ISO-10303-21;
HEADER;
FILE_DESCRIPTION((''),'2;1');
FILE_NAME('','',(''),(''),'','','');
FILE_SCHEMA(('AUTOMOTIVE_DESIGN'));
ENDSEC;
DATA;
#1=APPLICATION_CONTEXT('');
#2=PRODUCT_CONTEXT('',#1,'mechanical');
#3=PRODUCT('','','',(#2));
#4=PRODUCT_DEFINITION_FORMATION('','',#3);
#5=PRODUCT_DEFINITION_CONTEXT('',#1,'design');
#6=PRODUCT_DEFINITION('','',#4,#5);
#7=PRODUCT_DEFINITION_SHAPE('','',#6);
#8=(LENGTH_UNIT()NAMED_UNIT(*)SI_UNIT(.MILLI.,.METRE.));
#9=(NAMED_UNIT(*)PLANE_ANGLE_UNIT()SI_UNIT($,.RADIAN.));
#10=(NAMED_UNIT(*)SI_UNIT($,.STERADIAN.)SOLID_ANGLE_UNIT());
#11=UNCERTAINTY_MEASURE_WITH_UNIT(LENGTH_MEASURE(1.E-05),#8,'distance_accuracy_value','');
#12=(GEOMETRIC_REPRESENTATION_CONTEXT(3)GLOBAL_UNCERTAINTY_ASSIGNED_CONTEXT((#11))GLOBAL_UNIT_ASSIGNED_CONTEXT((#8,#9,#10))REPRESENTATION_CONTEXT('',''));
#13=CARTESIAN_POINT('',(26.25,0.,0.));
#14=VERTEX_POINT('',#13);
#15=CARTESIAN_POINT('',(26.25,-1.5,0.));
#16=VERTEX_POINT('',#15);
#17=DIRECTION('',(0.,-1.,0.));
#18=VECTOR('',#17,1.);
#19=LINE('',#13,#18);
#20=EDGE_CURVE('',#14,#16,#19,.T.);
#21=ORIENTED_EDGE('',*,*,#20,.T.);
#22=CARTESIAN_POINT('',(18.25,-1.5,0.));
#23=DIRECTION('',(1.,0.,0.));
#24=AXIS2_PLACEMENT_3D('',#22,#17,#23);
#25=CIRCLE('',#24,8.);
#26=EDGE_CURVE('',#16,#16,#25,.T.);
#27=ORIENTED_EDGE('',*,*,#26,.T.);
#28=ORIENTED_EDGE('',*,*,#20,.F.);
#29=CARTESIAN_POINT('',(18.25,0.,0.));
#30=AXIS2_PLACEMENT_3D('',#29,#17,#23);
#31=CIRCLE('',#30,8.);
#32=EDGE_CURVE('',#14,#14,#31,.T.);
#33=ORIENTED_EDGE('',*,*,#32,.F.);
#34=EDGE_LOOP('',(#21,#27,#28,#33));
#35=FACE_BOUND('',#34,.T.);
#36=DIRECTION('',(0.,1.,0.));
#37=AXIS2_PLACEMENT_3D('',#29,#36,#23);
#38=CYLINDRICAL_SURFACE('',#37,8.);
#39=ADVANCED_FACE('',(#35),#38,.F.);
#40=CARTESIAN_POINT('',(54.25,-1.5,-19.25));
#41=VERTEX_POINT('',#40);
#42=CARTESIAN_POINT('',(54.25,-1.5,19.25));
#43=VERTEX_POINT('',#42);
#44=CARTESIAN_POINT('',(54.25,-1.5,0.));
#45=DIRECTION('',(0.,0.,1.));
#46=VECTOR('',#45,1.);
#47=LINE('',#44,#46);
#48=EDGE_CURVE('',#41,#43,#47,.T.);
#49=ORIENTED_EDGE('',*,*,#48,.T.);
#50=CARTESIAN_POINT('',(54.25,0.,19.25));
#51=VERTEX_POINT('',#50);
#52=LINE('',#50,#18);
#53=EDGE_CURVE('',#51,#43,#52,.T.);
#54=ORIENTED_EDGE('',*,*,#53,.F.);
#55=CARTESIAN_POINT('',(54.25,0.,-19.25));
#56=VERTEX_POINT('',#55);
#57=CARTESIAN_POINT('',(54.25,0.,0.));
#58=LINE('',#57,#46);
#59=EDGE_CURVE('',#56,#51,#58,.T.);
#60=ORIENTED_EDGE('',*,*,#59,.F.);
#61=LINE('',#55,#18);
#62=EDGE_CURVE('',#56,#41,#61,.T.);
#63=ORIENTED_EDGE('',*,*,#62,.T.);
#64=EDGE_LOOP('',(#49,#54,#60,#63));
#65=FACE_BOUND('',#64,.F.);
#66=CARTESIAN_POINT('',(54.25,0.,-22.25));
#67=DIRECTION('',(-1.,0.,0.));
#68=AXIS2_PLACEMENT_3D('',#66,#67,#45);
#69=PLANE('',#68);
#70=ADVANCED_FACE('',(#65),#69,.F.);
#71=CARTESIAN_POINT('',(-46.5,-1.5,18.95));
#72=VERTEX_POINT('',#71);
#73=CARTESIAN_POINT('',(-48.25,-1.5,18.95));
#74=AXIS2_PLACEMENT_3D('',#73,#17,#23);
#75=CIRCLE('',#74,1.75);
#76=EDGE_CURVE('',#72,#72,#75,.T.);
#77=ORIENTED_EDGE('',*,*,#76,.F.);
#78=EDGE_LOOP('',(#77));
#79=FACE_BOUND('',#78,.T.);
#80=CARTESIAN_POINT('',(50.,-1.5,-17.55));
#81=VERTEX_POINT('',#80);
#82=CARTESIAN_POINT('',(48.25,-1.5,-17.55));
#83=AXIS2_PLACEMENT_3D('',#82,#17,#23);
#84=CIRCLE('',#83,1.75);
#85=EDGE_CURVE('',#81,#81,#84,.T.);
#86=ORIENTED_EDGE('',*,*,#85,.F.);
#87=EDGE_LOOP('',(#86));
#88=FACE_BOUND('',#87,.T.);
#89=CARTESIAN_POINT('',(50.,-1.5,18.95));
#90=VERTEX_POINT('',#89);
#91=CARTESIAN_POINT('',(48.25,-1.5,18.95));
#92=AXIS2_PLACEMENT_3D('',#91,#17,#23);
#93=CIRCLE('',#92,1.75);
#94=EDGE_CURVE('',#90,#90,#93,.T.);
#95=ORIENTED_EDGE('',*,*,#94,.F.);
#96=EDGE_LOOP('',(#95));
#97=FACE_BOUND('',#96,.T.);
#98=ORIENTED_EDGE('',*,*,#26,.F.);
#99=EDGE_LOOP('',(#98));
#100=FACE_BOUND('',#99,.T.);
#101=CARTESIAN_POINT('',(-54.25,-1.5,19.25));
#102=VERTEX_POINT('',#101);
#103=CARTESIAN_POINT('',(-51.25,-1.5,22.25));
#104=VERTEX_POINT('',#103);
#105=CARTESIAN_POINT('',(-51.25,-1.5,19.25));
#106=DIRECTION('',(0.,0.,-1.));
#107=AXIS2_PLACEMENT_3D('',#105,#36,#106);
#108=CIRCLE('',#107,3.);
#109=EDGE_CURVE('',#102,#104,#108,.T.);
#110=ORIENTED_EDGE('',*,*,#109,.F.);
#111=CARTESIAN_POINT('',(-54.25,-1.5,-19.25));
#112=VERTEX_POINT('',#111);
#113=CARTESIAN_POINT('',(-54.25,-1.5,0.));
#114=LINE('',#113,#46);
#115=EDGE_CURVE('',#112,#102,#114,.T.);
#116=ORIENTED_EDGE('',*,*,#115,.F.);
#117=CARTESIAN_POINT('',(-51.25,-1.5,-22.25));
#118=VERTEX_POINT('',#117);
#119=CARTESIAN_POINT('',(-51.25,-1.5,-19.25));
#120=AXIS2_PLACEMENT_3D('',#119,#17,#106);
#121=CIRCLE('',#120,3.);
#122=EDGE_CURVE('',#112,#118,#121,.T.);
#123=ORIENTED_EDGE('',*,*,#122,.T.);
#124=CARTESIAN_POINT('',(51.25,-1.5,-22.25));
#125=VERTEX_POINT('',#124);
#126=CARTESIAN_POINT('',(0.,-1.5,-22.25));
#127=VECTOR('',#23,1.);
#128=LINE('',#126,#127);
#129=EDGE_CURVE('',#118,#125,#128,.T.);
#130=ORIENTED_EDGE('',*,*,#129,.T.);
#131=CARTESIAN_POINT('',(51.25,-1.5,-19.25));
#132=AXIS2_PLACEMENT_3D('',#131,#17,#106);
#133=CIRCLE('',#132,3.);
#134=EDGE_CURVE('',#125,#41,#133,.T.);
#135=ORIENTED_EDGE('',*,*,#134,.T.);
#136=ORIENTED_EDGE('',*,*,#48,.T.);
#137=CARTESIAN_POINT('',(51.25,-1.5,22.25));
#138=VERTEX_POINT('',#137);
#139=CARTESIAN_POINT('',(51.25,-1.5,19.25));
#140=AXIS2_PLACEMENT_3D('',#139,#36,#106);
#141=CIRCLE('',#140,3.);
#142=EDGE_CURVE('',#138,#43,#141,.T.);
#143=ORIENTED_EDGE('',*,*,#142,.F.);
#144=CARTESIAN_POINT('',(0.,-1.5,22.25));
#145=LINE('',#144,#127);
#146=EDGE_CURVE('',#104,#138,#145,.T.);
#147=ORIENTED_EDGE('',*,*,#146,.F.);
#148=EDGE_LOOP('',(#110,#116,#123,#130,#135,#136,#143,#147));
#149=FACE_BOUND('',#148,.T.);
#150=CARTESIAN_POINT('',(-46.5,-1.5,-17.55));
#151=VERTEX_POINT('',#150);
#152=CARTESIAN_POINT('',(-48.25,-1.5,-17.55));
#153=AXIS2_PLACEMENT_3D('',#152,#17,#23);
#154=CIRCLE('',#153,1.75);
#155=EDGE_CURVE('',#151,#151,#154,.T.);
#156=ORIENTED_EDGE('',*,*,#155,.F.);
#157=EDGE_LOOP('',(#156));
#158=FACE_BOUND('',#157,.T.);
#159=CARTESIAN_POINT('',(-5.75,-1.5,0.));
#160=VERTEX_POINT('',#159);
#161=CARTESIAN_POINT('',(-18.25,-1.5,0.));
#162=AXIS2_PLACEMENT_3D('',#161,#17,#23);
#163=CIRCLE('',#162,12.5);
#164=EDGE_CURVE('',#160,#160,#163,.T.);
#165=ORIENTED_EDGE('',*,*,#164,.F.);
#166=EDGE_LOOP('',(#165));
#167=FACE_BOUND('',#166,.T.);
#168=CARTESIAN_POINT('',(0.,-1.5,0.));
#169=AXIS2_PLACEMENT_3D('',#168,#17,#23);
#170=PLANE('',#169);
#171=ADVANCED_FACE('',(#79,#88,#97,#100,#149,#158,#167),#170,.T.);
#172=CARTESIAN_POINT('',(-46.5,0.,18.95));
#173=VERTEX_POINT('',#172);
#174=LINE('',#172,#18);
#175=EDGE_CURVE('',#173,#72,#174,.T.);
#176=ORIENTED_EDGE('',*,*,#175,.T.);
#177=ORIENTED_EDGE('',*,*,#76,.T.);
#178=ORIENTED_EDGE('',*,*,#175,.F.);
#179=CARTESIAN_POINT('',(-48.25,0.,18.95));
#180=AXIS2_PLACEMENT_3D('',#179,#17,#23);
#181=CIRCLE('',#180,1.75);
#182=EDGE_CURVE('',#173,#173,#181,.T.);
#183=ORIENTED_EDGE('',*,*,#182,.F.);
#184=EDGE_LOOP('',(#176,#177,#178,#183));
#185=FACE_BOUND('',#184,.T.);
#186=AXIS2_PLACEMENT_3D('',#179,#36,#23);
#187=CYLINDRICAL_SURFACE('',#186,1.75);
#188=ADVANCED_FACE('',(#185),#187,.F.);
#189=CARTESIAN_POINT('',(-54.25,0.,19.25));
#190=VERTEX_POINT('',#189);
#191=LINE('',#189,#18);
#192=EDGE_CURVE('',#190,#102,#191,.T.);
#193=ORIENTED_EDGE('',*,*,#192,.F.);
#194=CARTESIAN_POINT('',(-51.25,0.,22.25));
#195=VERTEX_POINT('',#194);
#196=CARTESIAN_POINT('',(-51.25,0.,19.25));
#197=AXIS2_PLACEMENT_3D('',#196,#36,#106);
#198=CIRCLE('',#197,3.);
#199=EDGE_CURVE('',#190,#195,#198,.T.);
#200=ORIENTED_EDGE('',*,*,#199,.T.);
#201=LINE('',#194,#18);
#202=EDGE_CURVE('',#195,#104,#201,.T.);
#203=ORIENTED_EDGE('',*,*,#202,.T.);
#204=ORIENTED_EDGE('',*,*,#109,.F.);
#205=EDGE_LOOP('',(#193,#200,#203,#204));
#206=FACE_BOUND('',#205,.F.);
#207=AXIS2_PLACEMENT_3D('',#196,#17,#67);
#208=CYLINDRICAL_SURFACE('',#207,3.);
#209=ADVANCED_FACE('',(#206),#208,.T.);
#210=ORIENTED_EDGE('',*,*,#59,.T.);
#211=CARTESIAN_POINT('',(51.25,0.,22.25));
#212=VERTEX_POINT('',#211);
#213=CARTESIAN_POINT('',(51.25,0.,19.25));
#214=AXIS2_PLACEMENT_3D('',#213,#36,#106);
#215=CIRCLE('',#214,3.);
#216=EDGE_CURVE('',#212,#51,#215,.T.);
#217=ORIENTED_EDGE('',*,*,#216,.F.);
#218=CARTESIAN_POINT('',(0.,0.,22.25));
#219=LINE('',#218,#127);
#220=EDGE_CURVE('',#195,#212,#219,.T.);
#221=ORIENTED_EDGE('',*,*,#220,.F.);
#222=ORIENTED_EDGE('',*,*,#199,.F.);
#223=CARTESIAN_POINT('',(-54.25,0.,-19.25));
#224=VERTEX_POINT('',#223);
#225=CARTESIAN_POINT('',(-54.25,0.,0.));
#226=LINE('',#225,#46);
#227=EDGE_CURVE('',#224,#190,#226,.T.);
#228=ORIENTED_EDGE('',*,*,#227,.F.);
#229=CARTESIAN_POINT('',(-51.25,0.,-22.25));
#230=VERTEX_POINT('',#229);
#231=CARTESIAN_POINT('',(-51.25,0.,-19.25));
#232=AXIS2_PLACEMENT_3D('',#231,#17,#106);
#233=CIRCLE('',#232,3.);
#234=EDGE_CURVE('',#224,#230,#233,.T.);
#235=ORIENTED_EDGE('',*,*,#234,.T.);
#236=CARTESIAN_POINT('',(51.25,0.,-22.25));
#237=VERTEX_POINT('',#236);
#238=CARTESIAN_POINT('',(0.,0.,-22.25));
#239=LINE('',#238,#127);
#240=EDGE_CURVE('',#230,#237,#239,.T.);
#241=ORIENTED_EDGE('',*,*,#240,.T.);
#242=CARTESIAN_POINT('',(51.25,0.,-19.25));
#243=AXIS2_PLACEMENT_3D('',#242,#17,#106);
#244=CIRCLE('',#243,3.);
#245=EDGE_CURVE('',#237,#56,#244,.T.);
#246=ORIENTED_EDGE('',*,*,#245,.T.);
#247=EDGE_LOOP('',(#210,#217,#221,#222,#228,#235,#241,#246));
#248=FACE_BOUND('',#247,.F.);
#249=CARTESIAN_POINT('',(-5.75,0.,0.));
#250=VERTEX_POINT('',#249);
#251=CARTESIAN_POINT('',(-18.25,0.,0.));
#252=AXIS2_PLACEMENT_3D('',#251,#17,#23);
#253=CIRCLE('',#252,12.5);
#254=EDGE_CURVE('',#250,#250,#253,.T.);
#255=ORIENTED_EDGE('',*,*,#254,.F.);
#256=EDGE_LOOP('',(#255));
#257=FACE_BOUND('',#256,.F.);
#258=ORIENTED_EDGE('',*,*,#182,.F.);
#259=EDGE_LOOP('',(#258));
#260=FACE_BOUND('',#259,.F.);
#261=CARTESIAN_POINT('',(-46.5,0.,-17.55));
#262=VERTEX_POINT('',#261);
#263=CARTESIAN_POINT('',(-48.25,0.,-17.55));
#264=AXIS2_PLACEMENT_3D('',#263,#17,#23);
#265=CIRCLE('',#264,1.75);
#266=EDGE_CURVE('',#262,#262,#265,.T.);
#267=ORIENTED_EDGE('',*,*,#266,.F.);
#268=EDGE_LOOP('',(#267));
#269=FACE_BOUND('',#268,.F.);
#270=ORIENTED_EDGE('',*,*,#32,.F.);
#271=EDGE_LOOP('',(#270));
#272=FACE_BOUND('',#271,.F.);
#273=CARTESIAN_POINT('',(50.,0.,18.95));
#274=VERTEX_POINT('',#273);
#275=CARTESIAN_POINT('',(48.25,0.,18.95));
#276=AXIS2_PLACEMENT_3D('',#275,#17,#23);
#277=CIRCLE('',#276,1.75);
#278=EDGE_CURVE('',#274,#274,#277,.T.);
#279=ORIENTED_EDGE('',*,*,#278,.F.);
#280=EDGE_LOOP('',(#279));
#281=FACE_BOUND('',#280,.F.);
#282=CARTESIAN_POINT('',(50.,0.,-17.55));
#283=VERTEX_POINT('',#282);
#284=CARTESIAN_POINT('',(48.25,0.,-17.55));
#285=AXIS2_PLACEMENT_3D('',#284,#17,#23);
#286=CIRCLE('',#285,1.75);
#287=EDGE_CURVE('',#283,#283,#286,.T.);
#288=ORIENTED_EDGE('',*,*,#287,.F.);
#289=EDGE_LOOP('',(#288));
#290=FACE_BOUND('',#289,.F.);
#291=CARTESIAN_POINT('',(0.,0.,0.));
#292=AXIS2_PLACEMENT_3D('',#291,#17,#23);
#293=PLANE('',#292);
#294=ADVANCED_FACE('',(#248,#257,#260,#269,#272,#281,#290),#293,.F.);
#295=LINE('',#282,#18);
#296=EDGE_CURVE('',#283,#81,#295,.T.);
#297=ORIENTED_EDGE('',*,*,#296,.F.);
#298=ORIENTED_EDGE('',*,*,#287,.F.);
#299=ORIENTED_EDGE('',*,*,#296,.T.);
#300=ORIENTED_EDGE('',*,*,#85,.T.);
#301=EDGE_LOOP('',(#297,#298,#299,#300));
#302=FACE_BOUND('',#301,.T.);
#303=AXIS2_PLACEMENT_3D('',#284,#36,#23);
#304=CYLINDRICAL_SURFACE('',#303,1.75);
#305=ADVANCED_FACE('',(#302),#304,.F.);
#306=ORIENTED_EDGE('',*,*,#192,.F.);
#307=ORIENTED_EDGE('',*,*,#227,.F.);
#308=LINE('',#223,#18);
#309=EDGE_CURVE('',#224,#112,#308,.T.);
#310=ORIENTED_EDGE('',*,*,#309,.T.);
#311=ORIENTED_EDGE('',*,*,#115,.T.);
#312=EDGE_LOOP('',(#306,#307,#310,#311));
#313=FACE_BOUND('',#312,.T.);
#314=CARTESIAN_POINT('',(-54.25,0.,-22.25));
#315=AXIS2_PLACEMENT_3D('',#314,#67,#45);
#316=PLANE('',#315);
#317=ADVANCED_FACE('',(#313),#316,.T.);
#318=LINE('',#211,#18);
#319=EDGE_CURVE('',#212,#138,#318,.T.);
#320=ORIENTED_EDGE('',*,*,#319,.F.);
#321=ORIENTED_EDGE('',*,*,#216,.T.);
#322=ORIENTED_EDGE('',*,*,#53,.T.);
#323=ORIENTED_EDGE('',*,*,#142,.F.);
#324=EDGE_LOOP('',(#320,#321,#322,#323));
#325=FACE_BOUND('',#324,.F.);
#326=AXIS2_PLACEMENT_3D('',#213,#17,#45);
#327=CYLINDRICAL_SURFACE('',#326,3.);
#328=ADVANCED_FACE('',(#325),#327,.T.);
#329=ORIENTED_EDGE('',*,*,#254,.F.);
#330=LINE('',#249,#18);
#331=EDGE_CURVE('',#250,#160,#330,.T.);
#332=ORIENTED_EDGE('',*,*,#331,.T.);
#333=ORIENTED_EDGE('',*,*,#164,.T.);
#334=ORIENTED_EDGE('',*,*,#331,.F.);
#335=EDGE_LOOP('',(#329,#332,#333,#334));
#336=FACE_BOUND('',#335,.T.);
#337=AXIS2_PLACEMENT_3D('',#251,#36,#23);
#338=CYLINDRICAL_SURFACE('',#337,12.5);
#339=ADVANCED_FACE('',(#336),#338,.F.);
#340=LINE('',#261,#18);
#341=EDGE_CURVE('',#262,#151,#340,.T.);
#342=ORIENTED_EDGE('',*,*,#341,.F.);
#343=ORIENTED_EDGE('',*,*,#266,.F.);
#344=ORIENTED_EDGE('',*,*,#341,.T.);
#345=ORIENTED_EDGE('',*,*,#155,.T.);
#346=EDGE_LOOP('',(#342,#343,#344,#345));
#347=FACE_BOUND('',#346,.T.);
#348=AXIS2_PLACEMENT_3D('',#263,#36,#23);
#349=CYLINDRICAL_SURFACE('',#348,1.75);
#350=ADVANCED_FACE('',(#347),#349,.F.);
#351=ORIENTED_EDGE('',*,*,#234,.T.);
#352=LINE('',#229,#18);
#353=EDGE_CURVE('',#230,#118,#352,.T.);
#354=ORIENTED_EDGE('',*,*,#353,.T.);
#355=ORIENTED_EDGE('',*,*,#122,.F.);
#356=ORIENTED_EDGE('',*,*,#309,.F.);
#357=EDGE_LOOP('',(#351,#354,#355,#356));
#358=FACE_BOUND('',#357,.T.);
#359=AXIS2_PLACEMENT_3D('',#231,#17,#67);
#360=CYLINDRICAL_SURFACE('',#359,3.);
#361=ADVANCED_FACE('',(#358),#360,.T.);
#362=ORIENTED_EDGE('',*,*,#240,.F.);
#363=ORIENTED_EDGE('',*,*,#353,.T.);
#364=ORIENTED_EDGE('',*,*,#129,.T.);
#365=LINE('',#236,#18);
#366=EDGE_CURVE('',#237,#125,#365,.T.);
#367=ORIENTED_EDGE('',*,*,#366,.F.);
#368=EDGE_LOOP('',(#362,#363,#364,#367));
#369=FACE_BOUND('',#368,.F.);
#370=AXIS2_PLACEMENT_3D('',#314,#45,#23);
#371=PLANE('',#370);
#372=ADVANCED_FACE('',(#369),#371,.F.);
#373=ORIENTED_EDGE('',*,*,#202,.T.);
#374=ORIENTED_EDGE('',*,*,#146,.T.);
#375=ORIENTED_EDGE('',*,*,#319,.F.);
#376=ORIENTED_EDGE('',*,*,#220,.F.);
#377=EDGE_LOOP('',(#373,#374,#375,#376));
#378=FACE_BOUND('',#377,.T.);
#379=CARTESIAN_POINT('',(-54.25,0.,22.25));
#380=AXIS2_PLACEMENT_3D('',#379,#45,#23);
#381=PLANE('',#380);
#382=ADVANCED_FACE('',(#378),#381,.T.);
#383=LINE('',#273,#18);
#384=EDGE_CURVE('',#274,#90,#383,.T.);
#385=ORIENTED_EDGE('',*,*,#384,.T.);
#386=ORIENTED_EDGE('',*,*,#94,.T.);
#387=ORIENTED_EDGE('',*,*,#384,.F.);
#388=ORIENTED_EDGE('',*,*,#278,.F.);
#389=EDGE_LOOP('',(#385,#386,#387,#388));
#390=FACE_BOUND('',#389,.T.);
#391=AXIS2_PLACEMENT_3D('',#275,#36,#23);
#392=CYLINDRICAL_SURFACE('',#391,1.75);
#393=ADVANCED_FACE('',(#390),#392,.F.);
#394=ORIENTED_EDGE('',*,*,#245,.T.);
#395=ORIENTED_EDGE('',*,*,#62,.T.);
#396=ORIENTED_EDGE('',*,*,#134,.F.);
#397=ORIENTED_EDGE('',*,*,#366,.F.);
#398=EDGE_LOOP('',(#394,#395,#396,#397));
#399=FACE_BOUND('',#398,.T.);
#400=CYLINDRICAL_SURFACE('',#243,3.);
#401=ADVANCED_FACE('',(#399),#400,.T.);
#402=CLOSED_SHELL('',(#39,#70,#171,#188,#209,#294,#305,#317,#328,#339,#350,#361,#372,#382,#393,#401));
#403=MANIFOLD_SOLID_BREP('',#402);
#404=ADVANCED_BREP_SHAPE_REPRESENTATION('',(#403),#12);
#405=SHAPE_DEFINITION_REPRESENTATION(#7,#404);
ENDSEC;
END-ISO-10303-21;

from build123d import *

# Parameters (mm, degrees)
F0_W     = 108.5
F0_H     = 44.5
F0_R     = 1.75
F0_R_2   = 12.5
F0_R_3   = 8
F1_DEPTH = 1.5
F2_R     = 3


with BuildPart() as f1:
    # F0 (on Front) → F1 (new body)
    with BuildSketch(Plane.XZ):
        Rectangle(F0_W, F0_H)
        with Locations((-48.25, -17.55)):
            Circle(F0_R, mode=Mode.SUBTRACT)
        with Locations((48.25, -17.55)):
            Circle(F0_R, mode=Mode.SUBTRACT)
        with Locations((-18.25, 0)):
            Circle(F0_R_2, mode=Mode.SUBTRACT)
        with Locations((-48.25, 18.95)):
            Circle(F0_R, mode=Mode.SUBTRACT)
        with Locations((18.25, 0)):
            Circle(F0_R_3, mode=Mode.SUBTRACT)
        with Locations((48.25, 18.95)):
            Circle(F0_R, mode=Mode.SUBTRACT)
    extrude(amount=F1_DEPTH)

    # F2
    f2_edges = [f1.edges().sort_by_distance(p)[0] for p in [
        (54.25, -0.75, 22.25),
        (54.25, -0.75, -22.25),
        (-54.25, -0.75, -22.25),
        (-54.25, -0.75, 22.25),
    ]]
    fillet(f2_edges, radius=F2_R)


solid = f1.part
